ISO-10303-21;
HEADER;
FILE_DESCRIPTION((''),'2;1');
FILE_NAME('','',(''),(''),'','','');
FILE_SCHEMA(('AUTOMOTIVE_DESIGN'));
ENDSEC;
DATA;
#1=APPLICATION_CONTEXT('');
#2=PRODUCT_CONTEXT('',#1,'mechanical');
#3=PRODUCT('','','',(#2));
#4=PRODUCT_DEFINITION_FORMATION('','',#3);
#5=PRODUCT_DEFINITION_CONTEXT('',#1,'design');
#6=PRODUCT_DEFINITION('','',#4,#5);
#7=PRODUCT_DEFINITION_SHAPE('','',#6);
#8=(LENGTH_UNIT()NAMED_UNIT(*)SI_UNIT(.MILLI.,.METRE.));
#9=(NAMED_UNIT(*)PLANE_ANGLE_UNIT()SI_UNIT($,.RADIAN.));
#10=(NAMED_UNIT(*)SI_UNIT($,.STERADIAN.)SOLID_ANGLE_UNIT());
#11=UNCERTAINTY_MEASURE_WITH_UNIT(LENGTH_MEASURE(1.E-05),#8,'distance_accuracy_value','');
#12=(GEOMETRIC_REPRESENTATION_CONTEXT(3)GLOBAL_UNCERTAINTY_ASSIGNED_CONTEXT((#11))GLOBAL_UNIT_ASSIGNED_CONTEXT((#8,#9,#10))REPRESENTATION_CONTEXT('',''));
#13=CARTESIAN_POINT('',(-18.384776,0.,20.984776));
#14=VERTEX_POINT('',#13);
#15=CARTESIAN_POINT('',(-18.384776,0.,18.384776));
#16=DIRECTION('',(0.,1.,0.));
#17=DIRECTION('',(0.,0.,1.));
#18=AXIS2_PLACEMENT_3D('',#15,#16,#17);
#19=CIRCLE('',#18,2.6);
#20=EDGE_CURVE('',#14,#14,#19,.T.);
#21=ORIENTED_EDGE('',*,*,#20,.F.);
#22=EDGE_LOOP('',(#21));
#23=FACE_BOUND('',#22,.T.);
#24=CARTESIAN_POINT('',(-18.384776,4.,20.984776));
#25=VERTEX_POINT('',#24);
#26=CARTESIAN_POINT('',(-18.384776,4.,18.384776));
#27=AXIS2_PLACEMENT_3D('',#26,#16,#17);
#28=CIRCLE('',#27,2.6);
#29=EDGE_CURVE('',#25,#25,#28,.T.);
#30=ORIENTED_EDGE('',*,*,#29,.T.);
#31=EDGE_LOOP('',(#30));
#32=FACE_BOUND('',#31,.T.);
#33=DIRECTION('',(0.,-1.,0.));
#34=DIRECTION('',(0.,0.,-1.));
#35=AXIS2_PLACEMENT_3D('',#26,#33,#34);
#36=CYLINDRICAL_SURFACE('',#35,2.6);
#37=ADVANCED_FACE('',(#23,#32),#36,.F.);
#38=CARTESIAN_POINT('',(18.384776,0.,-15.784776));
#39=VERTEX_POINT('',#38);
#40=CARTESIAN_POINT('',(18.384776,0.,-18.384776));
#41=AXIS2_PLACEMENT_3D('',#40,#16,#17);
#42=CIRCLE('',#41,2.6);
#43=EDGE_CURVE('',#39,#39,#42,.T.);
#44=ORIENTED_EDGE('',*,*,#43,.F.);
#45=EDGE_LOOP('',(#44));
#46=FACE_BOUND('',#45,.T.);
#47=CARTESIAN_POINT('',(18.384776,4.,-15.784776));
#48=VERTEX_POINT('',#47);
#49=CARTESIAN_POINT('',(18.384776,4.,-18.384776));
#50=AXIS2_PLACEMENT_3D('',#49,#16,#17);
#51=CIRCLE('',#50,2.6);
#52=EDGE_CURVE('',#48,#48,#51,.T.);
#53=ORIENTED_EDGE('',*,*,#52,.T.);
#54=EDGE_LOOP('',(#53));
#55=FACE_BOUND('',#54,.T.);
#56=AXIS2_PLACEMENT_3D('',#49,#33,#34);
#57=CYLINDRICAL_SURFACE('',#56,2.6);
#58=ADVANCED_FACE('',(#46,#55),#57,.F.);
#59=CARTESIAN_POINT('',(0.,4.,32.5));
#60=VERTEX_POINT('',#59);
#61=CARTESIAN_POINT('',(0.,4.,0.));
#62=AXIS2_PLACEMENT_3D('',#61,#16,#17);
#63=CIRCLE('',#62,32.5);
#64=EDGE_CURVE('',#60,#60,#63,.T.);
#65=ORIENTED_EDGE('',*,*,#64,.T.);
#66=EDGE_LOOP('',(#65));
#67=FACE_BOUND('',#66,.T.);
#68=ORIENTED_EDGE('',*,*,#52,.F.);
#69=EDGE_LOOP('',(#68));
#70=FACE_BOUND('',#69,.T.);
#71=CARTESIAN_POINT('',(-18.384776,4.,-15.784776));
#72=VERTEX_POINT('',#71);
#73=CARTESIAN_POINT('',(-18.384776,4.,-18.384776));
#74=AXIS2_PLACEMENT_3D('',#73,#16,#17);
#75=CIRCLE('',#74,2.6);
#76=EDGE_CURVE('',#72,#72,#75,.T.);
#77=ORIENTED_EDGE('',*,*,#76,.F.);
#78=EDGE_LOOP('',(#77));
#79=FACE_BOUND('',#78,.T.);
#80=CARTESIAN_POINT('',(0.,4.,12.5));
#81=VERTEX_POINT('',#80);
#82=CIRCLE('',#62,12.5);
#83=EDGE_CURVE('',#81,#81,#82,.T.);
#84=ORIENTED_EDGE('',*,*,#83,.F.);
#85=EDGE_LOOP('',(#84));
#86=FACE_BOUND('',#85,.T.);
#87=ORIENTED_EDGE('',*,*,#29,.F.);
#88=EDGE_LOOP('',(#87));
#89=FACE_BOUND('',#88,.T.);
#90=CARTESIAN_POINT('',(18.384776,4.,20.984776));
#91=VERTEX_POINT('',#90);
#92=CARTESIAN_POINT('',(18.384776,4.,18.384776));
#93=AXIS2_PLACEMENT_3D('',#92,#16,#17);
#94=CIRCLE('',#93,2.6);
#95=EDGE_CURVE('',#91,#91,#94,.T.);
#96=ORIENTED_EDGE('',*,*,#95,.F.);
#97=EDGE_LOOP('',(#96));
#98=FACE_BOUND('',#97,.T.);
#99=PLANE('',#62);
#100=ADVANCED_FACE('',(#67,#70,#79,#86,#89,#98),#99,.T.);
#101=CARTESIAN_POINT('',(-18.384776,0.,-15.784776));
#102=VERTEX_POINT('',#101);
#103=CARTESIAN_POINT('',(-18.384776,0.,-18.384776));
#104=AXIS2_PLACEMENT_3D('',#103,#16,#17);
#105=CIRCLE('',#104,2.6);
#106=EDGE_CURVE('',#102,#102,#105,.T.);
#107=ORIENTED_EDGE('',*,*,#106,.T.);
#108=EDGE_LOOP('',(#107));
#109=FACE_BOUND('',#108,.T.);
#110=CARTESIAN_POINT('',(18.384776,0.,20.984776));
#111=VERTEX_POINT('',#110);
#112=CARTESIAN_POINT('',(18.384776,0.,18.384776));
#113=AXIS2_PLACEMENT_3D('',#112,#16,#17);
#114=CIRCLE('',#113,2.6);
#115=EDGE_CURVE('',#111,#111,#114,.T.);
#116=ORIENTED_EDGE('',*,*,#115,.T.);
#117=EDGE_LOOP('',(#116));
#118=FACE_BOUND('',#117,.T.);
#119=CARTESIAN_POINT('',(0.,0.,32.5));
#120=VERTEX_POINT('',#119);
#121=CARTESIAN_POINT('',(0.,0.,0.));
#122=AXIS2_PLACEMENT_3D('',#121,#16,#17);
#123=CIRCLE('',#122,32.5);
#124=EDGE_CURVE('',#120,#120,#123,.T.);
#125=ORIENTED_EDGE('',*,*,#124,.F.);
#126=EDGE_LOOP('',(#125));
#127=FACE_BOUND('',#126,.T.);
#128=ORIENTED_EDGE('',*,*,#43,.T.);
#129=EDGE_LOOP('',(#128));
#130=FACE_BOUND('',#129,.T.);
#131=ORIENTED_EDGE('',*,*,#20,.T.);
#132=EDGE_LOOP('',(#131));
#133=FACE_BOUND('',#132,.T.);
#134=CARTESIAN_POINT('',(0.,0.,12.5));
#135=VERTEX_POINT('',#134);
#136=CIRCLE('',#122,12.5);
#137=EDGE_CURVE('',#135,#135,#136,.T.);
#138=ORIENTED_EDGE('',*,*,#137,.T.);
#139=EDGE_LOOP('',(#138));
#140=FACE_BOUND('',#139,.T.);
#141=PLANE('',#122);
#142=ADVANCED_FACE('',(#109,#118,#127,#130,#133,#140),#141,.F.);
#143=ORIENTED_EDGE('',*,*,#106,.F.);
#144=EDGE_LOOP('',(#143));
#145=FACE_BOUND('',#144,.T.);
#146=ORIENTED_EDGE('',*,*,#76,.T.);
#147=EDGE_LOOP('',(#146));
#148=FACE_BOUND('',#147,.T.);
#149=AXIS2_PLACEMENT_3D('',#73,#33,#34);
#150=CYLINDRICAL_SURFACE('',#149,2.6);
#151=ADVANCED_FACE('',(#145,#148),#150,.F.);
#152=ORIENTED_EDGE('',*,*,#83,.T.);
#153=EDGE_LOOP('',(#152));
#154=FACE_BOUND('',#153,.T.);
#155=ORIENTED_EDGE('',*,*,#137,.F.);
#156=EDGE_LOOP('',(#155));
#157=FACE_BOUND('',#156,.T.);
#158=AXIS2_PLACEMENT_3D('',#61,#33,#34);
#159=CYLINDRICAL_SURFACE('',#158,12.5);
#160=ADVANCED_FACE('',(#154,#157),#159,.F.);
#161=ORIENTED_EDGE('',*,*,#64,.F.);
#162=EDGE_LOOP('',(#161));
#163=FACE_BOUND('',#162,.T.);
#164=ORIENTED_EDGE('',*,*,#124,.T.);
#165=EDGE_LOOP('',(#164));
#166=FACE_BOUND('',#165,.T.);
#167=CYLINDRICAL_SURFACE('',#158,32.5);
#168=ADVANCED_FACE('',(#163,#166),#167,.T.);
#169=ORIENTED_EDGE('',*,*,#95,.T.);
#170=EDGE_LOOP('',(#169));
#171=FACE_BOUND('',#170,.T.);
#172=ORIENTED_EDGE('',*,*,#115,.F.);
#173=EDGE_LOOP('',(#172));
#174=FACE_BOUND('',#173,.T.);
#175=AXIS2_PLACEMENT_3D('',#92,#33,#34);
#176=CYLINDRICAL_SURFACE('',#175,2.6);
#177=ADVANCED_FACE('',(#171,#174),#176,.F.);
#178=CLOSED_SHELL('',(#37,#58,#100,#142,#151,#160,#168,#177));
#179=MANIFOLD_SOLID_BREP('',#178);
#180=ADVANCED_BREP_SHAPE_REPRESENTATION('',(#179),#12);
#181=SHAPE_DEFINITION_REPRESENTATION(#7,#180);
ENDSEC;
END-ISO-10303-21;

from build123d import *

# Parameters (mm, degrees)
SKETCH1_R           = 32.5
SKETCH1_R_2         = 12.5
SKETCH1_R_3         = 2.6
BOSS_EXTRUDE1_DEPTH = 4


with BuildPart() as part:
    # Sketch1 → Boss-Extrude1 (new body)
    with BuildSketch(Plane(origin=(0, 0, 0), x_dir=(1, 0, 0), z_dir=(0, 1, 0))):
        with Locations(Location((0, 0, 0), (0, 0, 270))):
            Circle(SKETCH1_R)
        with Locations(Location((0, 0, 0), (0, 0, 270))):
            Circle(SKETCH1_R_2, mode=Mode.SUBTRACT)
        with Locations(Location((18.384776311, -18.384776311, 0), (0, 0, 270))):
            Circle(SKETCH1_R_3, mode=Mode.SUBTRACT)
        with Locations(Location((-18.384776311, -18.384776311, 0), (0, 0, 270))):
            Circle(SKETCH1_R_3, mode=Mode.SUBTRACT)
        with Locations(Location((-18.384776311, 18.384776311, 0), (0, 0, 270))):
            Circle(SKETCH1_R_3, mode=Mode.SUBTRACT)
        with Locations(Location((18.384776311, 18.384776311, 0), (0, 0, 270))):
            Circle(SKETCH1_R_3, mode=Mode.SUBTRACT)
    extrude(amount=BOSS_EXTRUDE1_DEPTH)


solid = part.part
